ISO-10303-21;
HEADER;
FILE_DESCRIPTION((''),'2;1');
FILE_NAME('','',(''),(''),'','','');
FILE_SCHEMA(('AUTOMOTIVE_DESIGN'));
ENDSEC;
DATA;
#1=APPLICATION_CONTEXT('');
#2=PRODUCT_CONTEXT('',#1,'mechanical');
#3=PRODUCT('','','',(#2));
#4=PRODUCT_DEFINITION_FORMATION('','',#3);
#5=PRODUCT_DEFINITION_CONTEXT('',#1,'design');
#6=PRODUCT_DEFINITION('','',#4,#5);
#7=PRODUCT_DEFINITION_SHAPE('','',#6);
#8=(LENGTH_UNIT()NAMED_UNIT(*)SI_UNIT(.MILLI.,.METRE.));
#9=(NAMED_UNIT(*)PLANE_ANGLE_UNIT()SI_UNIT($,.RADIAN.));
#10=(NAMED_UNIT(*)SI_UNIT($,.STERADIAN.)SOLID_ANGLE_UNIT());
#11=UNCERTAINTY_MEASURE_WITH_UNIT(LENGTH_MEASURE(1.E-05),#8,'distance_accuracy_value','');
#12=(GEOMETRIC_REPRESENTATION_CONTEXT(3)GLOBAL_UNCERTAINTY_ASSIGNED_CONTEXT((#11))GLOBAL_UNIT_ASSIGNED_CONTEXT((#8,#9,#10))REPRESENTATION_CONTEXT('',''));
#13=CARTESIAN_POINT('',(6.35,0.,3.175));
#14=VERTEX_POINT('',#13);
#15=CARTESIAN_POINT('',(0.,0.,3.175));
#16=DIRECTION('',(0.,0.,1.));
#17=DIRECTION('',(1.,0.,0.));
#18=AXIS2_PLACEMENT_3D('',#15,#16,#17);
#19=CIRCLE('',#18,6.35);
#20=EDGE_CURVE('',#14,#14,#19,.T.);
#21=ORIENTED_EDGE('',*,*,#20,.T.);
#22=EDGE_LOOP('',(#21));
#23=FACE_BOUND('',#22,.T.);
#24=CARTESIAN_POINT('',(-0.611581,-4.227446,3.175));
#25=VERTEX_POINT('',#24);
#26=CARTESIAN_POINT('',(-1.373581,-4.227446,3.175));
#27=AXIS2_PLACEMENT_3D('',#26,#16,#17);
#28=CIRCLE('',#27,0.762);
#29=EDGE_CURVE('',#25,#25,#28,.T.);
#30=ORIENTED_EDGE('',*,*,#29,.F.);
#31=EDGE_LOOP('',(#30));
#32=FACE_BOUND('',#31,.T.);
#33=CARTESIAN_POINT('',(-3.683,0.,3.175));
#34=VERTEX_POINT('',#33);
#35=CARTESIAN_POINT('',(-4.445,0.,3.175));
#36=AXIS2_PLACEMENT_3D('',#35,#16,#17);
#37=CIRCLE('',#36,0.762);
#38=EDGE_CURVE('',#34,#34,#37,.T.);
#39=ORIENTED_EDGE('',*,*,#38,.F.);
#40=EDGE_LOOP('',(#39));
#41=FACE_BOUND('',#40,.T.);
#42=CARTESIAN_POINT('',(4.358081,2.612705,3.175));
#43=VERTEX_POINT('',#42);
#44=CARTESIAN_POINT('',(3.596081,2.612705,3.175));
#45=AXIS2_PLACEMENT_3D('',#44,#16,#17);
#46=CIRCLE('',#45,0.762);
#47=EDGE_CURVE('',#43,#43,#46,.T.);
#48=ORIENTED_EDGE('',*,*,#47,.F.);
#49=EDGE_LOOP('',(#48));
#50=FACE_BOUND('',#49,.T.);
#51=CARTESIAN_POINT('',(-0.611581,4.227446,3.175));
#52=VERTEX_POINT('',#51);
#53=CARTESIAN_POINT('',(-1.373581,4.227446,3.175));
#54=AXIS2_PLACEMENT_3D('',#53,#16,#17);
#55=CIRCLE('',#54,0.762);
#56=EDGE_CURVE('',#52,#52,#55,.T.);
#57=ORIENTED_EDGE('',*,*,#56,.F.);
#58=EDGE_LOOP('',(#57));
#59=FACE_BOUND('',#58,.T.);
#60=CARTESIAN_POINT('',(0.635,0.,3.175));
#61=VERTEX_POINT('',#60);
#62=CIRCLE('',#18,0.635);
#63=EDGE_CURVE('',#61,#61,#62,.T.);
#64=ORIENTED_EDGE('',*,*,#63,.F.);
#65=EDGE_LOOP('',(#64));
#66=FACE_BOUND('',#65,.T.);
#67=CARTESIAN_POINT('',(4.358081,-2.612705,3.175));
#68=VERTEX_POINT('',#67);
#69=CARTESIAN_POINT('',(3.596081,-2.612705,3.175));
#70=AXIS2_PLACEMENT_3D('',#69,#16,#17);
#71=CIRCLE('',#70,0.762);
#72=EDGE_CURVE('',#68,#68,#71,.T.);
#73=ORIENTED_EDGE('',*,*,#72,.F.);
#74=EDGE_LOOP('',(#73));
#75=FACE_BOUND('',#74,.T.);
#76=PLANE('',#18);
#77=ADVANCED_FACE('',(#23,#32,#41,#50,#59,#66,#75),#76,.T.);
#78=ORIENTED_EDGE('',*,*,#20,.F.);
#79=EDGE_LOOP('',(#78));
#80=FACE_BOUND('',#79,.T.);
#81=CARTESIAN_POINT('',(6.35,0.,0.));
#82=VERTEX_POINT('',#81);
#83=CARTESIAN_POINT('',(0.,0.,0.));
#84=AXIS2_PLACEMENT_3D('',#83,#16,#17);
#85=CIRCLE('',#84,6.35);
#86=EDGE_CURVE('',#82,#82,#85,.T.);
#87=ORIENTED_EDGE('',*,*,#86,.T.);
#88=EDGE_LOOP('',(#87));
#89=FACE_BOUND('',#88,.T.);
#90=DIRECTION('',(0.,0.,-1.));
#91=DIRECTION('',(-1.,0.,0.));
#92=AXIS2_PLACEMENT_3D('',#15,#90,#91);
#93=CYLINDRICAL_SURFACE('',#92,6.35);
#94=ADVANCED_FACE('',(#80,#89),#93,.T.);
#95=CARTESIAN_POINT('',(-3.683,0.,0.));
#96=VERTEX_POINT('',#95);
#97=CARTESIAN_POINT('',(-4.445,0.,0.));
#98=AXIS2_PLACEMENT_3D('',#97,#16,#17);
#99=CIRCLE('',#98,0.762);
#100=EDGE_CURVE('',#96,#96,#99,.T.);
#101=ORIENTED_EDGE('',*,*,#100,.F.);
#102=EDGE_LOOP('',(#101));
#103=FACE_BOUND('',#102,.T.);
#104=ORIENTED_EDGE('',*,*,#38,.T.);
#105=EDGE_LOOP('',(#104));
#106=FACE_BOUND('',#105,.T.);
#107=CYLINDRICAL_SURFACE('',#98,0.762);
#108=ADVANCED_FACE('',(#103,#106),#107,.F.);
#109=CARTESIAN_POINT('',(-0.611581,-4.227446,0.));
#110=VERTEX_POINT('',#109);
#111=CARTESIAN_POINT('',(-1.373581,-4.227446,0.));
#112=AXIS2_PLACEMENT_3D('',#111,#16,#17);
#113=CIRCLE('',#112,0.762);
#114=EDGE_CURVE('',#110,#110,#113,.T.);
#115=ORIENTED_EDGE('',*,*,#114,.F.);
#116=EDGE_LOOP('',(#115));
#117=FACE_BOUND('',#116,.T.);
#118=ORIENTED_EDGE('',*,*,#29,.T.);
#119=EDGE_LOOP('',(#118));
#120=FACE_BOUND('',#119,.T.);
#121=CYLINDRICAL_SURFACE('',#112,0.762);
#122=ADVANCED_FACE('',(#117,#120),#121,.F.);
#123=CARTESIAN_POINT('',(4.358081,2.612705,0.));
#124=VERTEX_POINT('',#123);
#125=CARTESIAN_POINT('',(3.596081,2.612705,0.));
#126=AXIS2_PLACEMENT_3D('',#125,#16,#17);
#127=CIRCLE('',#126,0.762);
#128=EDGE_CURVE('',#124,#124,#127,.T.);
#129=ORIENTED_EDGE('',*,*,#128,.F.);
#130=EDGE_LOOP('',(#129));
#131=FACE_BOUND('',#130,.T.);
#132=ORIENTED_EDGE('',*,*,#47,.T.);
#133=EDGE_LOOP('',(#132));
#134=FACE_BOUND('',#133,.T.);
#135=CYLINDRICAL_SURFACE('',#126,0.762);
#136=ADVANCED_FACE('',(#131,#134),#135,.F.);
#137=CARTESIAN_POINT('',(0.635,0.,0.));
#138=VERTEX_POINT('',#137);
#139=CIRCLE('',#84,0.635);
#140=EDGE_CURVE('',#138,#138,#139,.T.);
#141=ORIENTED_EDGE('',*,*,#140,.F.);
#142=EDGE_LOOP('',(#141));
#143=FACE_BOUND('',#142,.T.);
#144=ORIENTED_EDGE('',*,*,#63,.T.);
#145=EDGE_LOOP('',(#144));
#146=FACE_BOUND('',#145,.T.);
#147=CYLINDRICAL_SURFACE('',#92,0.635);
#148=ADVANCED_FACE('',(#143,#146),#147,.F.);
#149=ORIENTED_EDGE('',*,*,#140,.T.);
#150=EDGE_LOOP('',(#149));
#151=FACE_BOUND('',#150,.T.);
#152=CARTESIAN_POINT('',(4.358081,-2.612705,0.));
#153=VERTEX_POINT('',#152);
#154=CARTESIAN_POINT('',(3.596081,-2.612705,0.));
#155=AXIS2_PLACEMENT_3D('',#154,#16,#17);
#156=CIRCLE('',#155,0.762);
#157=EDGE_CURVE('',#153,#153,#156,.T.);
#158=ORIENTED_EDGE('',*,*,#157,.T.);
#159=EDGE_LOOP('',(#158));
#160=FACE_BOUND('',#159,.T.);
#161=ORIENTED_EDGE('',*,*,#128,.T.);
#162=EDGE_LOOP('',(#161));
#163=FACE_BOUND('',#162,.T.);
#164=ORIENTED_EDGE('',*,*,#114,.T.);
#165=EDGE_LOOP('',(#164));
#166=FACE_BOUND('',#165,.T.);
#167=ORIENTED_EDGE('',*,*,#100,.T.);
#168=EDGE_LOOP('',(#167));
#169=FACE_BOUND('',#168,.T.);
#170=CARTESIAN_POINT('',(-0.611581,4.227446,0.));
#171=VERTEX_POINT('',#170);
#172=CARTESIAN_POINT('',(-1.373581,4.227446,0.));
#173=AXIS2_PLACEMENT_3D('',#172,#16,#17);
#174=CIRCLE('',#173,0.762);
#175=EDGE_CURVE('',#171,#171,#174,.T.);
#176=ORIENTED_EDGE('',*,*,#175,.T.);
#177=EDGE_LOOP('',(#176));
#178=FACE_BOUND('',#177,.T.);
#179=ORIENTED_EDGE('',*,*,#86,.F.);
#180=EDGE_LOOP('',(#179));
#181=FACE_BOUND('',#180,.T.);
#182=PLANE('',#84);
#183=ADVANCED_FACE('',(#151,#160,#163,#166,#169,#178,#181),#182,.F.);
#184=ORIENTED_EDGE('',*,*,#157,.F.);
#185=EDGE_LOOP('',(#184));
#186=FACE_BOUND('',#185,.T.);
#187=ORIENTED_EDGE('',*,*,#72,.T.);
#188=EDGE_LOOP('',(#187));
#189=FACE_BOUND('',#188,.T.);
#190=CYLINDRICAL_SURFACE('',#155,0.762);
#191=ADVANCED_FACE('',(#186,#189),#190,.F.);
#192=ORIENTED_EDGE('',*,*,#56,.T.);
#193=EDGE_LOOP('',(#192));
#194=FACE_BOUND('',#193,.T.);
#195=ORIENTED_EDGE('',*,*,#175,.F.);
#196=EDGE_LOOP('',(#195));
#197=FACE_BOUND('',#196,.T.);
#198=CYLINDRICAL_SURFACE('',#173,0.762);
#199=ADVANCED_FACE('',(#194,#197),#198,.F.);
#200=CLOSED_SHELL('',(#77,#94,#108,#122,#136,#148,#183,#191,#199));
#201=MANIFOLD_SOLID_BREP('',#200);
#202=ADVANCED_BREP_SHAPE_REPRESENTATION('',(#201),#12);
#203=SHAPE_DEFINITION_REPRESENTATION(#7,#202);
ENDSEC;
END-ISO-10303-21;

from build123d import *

# Parameters (mm, degrees)
SKETCH1_R           = 6.35
SKETCH1_R_2         = 0.635
BOSS_EXTRUDE1_DEPTH = 3.175
SKETCH2_R           = 0.762
CUT_EXTRUDE1_DEPTH  = 10.525


with BuildPart() as part:
    # Sketch1 → Boss-Extrude1 (new body)
    with BuildSketch(Plane.XY):
        Circle(SKETCH1_R)
        Circle(SKETCH1_R_2, mode=Mode.SUBTRACT)
    extrude(amount=BOSS_EXTRUDE1_DEPTH)

    # Sketch2 → Cut-Extrude1 (cut, through all)
    with BuildSketch(Plane.XY.offset(3.175)):
        with Locations((-4.445, 0)):
            Circle(SKETCH2_R)
        with Locations((-1.37358054, 4.227446215)):
            Circle(SKETCH2_R)
        with Locations((3.59608054, 2.612705446)):
            Circle(SKETCH2_R)
        with Locations((3.59608054, -2.612705446)):
            Circle(SKETCH2_R)
        with Locations((-1.37358054, -4.227446215)):
            Circle(SKETCH2_R)
    extrude(amount=-CUT_EXTRUDE1_DEPTH, mode=Mode.SUBTRACT)


solid = part.part
